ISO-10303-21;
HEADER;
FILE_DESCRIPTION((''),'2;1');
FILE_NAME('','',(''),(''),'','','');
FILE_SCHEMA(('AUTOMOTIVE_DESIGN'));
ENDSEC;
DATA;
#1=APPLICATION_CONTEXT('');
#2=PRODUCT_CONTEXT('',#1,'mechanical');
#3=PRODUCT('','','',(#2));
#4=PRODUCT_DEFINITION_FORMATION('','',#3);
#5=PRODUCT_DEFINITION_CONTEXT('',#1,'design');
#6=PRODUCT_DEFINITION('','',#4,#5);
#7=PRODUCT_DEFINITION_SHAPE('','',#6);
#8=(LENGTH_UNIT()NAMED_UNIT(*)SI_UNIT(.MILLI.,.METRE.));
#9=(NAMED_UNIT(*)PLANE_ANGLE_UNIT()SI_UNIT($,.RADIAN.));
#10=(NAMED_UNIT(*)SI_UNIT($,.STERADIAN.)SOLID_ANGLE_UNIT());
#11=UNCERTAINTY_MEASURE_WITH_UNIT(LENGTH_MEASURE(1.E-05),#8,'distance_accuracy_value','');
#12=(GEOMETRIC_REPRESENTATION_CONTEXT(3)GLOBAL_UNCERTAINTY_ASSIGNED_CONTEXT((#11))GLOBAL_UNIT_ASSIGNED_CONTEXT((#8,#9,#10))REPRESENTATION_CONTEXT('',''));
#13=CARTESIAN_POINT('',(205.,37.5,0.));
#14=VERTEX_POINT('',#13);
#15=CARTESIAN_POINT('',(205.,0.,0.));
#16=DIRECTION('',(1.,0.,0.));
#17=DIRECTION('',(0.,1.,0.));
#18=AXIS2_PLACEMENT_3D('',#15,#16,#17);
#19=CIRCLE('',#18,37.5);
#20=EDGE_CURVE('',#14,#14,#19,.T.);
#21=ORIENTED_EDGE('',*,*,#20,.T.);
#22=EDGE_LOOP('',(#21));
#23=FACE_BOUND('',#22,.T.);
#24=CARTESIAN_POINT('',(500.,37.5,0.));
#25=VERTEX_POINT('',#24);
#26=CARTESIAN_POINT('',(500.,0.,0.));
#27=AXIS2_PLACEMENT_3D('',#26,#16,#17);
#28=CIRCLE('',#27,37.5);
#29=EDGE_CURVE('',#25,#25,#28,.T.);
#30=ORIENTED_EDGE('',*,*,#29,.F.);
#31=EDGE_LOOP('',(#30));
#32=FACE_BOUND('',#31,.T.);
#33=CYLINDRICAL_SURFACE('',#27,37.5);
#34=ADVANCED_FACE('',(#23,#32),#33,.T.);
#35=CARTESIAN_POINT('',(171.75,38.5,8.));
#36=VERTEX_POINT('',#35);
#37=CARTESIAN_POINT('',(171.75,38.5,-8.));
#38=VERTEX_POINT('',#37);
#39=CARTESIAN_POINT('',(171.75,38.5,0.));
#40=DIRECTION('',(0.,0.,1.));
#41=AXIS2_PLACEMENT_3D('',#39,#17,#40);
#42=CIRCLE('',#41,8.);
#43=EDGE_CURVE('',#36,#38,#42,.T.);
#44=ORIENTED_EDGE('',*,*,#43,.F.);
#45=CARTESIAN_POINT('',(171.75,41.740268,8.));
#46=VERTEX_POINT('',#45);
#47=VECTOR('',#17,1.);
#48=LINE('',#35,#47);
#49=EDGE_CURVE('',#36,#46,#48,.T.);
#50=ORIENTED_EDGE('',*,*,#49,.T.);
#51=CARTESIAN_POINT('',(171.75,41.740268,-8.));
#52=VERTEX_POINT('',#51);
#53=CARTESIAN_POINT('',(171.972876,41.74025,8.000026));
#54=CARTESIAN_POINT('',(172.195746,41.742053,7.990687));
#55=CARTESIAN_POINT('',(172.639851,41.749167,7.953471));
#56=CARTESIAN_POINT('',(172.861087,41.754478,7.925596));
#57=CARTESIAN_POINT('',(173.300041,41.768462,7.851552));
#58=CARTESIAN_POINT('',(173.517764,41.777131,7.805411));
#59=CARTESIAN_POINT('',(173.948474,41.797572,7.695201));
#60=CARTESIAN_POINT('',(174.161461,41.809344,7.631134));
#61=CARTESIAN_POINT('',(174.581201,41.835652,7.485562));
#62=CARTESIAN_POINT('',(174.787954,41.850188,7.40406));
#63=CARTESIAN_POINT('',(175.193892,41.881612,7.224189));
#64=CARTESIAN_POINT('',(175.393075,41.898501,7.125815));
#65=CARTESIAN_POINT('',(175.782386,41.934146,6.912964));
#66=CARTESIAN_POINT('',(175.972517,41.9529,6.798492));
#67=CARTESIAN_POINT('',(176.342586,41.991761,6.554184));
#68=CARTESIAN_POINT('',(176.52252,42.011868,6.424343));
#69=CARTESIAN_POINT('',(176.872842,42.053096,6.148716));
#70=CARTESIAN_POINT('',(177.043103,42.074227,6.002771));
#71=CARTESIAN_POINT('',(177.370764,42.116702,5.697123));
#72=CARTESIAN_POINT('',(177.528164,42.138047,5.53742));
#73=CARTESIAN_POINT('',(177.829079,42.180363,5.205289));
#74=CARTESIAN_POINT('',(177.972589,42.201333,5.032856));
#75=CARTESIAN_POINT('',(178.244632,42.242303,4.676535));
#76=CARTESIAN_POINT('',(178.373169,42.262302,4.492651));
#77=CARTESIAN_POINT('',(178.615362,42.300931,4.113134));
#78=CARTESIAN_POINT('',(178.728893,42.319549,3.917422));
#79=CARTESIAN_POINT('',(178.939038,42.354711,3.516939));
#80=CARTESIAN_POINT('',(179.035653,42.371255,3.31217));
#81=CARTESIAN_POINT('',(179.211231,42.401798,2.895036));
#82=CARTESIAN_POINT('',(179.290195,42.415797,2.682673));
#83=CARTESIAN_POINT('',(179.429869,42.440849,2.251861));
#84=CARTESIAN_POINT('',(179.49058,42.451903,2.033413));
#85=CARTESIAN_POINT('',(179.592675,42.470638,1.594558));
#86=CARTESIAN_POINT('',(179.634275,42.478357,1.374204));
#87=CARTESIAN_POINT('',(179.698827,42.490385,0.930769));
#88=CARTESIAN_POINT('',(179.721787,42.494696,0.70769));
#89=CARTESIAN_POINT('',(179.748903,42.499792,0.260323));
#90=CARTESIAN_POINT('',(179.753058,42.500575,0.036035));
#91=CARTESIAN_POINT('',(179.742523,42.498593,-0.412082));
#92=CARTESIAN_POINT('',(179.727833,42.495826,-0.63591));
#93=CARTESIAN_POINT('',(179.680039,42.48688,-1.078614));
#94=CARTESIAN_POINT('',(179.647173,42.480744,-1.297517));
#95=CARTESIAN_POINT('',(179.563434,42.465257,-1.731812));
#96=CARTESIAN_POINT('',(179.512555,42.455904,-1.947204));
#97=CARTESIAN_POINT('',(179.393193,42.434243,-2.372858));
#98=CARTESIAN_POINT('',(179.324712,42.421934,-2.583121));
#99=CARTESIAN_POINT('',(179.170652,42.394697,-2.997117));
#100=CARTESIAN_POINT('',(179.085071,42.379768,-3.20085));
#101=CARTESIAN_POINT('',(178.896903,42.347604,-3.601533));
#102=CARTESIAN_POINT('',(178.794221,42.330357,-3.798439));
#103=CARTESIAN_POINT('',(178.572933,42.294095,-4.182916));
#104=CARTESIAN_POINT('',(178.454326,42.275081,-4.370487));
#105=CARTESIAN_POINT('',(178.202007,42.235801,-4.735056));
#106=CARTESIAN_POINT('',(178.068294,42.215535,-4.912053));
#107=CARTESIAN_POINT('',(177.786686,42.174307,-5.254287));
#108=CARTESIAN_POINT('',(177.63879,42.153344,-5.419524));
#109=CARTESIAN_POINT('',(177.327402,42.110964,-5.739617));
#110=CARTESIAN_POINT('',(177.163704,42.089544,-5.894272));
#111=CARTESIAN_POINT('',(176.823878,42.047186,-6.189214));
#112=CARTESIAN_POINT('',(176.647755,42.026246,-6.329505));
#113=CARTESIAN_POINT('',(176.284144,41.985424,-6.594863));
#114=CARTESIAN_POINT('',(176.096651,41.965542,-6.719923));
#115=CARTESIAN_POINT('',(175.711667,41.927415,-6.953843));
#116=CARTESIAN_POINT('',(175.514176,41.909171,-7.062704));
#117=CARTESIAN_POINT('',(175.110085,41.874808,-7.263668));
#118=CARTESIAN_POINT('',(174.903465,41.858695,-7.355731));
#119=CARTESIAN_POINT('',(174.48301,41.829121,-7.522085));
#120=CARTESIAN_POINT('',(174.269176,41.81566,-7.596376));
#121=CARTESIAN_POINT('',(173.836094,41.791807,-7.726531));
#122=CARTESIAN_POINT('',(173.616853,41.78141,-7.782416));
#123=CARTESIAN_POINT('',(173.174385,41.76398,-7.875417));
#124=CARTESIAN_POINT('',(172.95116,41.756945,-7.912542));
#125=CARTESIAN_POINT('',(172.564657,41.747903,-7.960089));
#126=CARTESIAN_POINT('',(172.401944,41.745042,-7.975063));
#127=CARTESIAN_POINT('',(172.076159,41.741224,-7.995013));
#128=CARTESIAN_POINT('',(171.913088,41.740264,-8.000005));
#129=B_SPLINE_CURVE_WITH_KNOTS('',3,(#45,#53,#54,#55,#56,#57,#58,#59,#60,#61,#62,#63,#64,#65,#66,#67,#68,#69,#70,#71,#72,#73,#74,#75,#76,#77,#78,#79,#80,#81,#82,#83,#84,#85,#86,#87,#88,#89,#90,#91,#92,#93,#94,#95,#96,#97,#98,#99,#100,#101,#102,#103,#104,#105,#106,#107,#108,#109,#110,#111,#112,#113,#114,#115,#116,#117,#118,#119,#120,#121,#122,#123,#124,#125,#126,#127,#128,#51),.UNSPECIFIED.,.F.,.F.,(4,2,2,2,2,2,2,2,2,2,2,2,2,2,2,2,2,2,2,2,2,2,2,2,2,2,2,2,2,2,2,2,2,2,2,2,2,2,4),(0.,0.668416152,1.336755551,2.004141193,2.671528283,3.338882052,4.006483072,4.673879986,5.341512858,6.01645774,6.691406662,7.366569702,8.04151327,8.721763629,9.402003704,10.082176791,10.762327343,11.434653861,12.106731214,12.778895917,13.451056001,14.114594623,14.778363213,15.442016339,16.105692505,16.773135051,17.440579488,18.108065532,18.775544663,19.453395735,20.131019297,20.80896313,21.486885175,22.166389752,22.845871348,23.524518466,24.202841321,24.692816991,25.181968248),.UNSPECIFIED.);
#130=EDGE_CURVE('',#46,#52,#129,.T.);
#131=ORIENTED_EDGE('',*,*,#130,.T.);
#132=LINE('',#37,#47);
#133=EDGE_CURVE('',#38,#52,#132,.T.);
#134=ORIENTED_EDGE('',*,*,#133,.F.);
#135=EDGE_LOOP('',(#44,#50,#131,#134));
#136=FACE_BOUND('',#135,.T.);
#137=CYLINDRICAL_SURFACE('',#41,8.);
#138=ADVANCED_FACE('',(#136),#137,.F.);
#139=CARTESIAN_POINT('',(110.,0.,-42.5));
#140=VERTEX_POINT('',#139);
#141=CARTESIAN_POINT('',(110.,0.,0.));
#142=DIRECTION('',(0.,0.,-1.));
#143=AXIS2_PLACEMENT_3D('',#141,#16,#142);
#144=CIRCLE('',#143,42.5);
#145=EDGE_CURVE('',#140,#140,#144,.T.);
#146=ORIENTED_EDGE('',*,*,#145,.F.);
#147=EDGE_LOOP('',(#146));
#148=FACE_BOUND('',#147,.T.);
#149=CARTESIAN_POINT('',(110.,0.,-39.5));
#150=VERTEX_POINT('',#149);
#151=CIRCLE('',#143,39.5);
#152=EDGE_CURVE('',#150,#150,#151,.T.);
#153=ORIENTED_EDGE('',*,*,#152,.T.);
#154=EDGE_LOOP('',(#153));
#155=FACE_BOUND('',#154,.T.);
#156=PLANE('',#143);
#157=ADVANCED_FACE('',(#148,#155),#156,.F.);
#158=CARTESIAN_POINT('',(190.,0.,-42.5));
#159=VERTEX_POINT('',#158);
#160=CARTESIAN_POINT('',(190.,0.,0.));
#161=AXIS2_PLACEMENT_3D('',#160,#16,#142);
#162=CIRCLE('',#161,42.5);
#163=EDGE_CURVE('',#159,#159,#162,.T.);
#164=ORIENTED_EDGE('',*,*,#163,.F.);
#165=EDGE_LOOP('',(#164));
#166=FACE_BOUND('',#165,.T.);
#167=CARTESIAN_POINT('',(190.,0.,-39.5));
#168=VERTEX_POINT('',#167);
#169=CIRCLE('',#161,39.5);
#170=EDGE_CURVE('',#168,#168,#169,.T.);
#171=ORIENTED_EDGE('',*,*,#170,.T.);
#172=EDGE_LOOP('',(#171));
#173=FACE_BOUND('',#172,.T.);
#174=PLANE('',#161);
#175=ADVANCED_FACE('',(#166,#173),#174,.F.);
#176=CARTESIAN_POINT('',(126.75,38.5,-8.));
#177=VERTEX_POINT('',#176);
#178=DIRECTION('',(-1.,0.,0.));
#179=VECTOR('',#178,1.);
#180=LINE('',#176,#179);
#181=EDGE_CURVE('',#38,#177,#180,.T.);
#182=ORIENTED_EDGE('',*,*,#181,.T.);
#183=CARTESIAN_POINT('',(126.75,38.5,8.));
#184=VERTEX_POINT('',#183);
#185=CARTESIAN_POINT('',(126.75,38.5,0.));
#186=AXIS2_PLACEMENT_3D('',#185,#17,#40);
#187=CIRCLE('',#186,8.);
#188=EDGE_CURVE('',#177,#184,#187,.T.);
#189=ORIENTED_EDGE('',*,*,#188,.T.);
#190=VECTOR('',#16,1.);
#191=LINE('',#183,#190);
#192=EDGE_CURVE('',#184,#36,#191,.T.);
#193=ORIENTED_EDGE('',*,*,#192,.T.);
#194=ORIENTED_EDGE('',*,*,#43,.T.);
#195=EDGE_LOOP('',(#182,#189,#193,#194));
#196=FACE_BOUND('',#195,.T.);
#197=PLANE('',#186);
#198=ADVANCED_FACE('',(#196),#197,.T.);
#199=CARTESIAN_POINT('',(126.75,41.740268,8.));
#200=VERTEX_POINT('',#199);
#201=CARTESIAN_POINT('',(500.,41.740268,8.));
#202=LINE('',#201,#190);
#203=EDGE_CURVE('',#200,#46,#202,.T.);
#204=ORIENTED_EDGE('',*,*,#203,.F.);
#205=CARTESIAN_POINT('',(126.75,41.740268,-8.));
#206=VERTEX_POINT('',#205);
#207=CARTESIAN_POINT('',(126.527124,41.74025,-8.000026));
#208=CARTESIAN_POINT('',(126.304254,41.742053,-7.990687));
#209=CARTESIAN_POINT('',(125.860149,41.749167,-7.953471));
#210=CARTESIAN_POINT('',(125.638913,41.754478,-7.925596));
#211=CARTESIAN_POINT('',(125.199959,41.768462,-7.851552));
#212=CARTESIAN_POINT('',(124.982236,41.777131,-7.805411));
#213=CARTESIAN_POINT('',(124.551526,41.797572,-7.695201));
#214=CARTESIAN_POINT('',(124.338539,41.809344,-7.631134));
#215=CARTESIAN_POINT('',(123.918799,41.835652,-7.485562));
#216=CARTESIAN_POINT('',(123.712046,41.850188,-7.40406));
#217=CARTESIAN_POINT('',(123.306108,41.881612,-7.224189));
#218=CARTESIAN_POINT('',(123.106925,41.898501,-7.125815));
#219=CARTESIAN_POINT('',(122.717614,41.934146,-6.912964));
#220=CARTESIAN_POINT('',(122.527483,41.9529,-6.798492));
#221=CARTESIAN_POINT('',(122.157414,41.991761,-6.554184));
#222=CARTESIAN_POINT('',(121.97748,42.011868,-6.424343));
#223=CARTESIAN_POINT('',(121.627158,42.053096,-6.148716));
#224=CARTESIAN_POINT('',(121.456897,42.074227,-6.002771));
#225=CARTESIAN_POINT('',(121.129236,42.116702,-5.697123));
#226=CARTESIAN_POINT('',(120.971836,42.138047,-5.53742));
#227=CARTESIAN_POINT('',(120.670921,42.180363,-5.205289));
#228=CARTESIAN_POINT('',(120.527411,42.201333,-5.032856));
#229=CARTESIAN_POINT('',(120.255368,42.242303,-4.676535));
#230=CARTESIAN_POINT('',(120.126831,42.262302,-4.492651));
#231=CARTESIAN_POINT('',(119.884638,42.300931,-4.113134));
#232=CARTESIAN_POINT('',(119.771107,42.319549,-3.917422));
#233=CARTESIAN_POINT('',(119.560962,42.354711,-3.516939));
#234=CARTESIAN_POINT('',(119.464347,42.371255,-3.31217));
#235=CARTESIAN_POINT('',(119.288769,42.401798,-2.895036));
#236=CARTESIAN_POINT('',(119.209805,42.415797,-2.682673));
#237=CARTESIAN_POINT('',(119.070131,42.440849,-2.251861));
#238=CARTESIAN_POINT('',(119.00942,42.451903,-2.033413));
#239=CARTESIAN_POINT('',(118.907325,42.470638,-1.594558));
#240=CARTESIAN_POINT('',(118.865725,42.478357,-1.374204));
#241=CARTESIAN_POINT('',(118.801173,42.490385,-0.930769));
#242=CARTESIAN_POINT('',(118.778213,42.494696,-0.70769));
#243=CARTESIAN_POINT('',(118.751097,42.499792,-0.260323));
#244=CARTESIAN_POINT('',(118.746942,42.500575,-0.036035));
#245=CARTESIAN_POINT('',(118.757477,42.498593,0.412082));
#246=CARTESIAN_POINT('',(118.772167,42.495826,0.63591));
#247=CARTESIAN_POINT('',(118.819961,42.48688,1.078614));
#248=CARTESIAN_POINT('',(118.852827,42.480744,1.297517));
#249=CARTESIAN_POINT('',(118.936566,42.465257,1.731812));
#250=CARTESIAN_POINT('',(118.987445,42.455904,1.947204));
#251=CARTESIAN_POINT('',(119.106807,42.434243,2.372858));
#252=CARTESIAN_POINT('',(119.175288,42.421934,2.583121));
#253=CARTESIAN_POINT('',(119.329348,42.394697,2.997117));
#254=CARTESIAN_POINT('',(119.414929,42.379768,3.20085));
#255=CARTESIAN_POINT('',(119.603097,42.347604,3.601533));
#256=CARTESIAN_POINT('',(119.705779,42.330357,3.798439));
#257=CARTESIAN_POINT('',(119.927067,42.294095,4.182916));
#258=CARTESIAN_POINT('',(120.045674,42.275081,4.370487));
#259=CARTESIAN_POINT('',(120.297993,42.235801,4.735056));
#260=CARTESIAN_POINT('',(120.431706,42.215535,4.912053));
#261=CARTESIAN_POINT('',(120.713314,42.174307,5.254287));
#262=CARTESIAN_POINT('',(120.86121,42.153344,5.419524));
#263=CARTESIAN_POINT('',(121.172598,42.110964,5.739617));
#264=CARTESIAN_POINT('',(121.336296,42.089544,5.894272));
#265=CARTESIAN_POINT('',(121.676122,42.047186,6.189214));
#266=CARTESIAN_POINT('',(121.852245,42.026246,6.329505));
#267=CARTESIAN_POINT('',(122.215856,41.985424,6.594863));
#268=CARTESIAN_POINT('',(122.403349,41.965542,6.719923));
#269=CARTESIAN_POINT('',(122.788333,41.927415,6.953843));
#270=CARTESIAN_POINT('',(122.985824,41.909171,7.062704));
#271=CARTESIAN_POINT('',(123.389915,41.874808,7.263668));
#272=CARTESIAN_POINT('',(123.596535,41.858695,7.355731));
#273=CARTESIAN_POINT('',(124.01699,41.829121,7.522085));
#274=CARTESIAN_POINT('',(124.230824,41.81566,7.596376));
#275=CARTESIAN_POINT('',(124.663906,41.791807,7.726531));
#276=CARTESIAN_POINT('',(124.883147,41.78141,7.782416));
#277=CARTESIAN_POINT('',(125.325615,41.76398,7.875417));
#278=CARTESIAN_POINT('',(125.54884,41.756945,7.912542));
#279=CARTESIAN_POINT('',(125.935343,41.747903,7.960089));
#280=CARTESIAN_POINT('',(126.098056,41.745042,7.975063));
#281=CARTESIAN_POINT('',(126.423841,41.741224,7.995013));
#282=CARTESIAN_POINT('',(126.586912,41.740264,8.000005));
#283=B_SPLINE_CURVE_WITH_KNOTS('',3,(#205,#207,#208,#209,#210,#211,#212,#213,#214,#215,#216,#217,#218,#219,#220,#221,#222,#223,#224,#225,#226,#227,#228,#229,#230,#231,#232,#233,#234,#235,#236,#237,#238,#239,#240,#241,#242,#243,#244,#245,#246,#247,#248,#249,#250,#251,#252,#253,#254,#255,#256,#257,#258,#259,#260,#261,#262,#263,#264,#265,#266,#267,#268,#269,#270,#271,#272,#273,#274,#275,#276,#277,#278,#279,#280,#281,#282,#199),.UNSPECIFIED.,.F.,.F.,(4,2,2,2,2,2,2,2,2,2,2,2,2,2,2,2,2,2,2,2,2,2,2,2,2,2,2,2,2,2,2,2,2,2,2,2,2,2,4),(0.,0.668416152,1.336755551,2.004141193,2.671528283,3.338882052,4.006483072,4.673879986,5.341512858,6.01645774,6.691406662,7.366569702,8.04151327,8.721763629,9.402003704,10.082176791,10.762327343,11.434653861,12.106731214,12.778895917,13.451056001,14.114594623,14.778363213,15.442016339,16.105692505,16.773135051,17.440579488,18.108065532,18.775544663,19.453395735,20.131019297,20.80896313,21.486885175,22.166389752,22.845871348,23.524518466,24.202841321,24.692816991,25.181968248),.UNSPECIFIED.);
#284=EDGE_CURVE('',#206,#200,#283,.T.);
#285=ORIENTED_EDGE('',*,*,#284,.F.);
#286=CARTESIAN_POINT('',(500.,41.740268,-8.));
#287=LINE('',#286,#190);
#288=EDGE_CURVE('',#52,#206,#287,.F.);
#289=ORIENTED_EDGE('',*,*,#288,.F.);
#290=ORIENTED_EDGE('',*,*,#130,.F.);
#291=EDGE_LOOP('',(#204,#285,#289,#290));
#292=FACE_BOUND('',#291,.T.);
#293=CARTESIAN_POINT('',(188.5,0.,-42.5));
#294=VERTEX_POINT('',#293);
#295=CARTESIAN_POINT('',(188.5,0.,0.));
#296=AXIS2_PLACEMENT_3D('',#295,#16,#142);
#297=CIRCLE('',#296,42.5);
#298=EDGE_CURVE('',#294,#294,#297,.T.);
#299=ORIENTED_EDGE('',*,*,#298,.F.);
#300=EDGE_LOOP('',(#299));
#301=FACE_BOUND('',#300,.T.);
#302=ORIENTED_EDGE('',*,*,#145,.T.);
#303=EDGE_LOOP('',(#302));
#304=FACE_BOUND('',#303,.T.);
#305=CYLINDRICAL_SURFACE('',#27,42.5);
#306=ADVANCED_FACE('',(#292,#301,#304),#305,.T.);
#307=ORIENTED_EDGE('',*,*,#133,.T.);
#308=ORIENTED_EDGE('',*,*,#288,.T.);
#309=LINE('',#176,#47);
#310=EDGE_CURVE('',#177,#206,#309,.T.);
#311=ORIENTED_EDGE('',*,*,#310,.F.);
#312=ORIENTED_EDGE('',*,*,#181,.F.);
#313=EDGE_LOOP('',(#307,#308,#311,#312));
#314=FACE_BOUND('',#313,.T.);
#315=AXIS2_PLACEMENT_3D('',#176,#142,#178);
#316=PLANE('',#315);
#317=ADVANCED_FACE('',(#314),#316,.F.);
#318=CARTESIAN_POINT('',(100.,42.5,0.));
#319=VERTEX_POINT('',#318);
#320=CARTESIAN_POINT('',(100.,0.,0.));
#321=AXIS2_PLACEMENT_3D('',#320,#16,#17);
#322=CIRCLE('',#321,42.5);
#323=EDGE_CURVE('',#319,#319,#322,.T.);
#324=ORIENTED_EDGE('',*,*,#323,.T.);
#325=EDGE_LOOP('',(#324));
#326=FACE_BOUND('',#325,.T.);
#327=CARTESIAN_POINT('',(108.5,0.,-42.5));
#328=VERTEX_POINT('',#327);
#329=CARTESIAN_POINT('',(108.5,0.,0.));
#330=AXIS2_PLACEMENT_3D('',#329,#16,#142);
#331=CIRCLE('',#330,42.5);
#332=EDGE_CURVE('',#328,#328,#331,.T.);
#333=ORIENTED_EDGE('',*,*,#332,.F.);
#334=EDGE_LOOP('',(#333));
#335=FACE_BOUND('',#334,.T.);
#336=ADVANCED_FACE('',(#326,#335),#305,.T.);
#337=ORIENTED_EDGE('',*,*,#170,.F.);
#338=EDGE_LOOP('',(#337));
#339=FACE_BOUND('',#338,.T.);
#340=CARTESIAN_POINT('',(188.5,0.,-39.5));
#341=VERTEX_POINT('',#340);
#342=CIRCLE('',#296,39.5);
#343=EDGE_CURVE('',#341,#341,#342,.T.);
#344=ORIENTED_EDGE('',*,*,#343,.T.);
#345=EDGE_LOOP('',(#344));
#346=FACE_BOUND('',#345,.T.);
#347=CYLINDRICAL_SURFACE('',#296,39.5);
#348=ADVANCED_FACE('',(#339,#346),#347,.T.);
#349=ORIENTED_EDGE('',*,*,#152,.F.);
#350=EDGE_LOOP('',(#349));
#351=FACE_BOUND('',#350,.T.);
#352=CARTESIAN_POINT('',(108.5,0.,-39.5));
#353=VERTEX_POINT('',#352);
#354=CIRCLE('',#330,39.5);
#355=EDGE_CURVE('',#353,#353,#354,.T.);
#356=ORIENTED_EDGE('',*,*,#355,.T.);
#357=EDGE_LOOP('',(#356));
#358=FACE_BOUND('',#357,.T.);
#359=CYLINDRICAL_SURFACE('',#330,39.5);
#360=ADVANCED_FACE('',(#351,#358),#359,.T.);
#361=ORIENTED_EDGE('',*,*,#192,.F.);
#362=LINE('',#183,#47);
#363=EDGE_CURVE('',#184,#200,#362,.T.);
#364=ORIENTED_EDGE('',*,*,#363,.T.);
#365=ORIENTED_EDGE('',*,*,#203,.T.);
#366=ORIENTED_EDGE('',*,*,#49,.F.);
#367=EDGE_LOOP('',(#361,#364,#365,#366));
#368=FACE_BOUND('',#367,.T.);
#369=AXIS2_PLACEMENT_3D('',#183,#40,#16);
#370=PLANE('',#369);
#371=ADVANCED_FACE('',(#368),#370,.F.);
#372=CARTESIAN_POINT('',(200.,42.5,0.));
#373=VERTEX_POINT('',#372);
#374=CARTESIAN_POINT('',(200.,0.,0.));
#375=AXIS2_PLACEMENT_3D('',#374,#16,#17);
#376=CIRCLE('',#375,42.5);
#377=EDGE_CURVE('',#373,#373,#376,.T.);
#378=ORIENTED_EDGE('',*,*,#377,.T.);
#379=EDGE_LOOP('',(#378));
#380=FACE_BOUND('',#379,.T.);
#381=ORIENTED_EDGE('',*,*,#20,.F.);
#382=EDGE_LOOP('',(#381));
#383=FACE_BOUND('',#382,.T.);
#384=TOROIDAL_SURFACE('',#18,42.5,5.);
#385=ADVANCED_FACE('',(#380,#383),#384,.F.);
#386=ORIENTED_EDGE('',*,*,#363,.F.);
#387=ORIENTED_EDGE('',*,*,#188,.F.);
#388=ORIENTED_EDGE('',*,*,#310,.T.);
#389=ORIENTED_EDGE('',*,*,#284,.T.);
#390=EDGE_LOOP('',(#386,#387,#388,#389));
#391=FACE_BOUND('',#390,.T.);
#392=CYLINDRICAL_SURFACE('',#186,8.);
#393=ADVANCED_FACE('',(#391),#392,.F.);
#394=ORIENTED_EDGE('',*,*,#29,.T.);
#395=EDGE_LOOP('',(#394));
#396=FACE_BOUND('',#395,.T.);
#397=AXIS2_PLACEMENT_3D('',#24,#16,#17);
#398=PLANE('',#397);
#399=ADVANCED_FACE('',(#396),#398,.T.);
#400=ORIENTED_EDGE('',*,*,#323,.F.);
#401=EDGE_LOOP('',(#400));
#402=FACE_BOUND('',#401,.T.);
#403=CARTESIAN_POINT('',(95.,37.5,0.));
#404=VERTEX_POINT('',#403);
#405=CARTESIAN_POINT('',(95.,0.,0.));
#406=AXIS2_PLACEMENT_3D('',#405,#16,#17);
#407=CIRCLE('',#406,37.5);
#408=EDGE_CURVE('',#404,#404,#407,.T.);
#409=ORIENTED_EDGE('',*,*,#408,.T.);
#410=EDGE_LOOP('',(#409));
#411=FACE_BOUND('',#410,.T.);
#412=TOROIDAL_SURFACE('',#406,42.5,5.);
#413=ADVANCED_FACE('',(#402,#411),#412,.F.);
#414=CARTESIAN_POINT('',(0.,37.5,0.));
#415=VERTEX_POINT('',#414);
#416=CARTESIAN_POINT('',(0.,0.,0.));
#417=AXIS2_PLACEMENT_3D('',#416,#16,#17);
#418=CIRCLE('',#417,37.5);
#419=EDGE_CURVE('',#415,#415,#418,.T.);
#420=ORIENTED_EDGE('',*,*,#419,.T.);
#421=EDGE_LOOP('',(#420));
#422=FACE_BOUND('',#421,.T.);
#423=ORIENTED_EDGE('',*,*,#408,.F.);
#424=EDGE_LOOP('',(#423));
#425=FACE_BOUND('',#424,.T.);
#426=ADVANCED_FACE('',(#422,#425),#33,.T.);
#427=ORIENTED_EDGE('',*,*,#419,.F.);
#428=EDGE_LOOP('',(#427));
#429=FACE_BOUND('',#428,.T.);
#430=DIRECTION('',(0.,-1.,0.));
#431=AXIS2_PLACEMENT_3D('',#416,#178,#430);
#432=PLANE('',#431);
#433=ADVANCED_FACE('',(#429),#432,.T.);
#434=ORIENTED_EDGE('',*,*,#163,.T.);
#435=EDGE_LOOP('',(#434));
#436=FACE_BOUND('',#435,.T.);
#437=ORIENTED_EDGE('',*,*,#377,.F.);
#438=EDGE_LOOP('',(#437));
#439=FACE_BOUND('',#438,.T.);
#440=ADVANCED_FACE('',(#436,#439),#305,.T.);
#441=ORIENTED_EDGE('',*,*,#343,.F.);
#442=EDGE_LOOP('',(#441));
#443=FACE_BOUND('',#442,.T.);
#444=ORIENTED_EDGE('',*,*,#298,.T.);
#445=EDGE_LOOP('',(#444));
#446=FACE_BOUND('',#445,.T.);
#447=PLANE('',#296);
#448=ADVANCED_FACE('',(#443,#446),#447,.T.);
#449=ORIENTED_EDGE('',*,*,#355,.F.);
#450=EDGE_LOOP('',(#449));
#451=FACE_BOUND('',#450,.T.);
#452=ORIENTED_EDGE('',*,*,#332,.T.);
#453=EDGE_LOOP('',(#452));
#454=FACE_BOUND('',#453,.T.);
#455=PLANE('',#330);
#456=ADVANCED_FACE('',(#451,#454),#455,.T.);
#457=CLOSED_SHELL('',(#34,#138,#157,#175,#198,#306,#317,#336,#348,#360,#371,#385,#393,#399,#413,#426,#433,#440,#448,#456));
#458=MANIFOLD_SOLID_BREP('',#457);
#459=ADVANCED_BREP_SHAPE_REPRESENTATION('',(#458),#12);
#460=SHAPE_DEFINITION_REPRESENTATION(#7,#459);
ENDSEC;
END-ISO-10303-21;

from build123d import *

# Parameters (mm, degrees)
ESQUISSE2_R             = 42.5
ESQUISSE2_R_2           = 39.5
ENL_V_MAT_EXTRU_1_DEPTH = 1.5
ESQUISSE3_R             = 42.5
ESQUISSE3_R_2           = 39.5
ENL_V_MAT_EXTRU_2_DEPTH = 1.5
ENL_V_MAT_EXTRU_3_DEPTH = 4


with BuildPart() as part:
    # Esquisse1 → Révolution1 (revolve)
    with BuildSketch(Plane.XY):
        with BuildLine():
            Line((0, 0), (0, 37.5))
            Line((0, 37.5), (95, 37.5))
            ThreePointArc((95, 37.5), (98.535533906, 38.964466094), (100, 42.5))
            Line((100, 42.5), (200, 42.5))
            ThreePointArc((200, 42.5), (201.464466094, 38.964466094), (205, 37.5))
            Line((205, 37.5), (500, 37.5))
            Line((500, 37.5), (500, 0))
            Line((500, 0), (0, 0))
        make_face()
    revolve(axis=Axis((500, 0, 0), (-1, 0, 0)))

    # Esquisse2 → Enlèv. mat.-Extru.1 (cut)
    with BuildSketch(Plane(origin=(110, 0, 0), x_dir=(0, 0, -1), z_dir=(1, 0, 0))):
        with Locations(Location((0, 0, 0), (0, 0, 90))):
            Circle(ESQUISSE2_R)
        Circle(ESQUISSE2_R_2, mode=Mode.SUBTRACT)
    extrude(amount=-ENL_V_MAT_EXTRU_1_DEPTH, mode=Mode.SUBTRACT)

    # Esquisse3 → Enlèv. mat.-Extru.2 (cut)
    with BuildSketch(Plane(origin=(190, 0, 0), x_dir=(0, 0, -1), z_dir=(1, 0, 0))):
        Circle(ESQUISSE3_R)
        Circle(ESQUISSE3_R_2, mode=Mode.SUBTRACT)
    extrude(amount=-ENL_V_MAT_EXTRU_2_DEPTH, mode=Mode.SUBTRACT)

    # Esquisse4 → Enlèv. mat.-Extru.3 (cut)
    with BuildSketch(Plane(origin=(0, 42.5, 0), x_dir=(1, 0, 0), z_dir=(0, 1, 0))):
        with BuildLine():
            Line((126.75, 8), (171.75, 8))
            ThreePointArc((171.75, 8), (179.75, 0), (171.75, -8))
            Line((171.75, -8), (126.75, -8))
            ThreePointArc((126.75, -8), (118.75, 0), (126.75, 8))
        make_face()
    extrude(amount=-ENL_V_MAT_EXTRU_3_DEPTH, mode=Mode.SUBTRACT)


solid = part.part
